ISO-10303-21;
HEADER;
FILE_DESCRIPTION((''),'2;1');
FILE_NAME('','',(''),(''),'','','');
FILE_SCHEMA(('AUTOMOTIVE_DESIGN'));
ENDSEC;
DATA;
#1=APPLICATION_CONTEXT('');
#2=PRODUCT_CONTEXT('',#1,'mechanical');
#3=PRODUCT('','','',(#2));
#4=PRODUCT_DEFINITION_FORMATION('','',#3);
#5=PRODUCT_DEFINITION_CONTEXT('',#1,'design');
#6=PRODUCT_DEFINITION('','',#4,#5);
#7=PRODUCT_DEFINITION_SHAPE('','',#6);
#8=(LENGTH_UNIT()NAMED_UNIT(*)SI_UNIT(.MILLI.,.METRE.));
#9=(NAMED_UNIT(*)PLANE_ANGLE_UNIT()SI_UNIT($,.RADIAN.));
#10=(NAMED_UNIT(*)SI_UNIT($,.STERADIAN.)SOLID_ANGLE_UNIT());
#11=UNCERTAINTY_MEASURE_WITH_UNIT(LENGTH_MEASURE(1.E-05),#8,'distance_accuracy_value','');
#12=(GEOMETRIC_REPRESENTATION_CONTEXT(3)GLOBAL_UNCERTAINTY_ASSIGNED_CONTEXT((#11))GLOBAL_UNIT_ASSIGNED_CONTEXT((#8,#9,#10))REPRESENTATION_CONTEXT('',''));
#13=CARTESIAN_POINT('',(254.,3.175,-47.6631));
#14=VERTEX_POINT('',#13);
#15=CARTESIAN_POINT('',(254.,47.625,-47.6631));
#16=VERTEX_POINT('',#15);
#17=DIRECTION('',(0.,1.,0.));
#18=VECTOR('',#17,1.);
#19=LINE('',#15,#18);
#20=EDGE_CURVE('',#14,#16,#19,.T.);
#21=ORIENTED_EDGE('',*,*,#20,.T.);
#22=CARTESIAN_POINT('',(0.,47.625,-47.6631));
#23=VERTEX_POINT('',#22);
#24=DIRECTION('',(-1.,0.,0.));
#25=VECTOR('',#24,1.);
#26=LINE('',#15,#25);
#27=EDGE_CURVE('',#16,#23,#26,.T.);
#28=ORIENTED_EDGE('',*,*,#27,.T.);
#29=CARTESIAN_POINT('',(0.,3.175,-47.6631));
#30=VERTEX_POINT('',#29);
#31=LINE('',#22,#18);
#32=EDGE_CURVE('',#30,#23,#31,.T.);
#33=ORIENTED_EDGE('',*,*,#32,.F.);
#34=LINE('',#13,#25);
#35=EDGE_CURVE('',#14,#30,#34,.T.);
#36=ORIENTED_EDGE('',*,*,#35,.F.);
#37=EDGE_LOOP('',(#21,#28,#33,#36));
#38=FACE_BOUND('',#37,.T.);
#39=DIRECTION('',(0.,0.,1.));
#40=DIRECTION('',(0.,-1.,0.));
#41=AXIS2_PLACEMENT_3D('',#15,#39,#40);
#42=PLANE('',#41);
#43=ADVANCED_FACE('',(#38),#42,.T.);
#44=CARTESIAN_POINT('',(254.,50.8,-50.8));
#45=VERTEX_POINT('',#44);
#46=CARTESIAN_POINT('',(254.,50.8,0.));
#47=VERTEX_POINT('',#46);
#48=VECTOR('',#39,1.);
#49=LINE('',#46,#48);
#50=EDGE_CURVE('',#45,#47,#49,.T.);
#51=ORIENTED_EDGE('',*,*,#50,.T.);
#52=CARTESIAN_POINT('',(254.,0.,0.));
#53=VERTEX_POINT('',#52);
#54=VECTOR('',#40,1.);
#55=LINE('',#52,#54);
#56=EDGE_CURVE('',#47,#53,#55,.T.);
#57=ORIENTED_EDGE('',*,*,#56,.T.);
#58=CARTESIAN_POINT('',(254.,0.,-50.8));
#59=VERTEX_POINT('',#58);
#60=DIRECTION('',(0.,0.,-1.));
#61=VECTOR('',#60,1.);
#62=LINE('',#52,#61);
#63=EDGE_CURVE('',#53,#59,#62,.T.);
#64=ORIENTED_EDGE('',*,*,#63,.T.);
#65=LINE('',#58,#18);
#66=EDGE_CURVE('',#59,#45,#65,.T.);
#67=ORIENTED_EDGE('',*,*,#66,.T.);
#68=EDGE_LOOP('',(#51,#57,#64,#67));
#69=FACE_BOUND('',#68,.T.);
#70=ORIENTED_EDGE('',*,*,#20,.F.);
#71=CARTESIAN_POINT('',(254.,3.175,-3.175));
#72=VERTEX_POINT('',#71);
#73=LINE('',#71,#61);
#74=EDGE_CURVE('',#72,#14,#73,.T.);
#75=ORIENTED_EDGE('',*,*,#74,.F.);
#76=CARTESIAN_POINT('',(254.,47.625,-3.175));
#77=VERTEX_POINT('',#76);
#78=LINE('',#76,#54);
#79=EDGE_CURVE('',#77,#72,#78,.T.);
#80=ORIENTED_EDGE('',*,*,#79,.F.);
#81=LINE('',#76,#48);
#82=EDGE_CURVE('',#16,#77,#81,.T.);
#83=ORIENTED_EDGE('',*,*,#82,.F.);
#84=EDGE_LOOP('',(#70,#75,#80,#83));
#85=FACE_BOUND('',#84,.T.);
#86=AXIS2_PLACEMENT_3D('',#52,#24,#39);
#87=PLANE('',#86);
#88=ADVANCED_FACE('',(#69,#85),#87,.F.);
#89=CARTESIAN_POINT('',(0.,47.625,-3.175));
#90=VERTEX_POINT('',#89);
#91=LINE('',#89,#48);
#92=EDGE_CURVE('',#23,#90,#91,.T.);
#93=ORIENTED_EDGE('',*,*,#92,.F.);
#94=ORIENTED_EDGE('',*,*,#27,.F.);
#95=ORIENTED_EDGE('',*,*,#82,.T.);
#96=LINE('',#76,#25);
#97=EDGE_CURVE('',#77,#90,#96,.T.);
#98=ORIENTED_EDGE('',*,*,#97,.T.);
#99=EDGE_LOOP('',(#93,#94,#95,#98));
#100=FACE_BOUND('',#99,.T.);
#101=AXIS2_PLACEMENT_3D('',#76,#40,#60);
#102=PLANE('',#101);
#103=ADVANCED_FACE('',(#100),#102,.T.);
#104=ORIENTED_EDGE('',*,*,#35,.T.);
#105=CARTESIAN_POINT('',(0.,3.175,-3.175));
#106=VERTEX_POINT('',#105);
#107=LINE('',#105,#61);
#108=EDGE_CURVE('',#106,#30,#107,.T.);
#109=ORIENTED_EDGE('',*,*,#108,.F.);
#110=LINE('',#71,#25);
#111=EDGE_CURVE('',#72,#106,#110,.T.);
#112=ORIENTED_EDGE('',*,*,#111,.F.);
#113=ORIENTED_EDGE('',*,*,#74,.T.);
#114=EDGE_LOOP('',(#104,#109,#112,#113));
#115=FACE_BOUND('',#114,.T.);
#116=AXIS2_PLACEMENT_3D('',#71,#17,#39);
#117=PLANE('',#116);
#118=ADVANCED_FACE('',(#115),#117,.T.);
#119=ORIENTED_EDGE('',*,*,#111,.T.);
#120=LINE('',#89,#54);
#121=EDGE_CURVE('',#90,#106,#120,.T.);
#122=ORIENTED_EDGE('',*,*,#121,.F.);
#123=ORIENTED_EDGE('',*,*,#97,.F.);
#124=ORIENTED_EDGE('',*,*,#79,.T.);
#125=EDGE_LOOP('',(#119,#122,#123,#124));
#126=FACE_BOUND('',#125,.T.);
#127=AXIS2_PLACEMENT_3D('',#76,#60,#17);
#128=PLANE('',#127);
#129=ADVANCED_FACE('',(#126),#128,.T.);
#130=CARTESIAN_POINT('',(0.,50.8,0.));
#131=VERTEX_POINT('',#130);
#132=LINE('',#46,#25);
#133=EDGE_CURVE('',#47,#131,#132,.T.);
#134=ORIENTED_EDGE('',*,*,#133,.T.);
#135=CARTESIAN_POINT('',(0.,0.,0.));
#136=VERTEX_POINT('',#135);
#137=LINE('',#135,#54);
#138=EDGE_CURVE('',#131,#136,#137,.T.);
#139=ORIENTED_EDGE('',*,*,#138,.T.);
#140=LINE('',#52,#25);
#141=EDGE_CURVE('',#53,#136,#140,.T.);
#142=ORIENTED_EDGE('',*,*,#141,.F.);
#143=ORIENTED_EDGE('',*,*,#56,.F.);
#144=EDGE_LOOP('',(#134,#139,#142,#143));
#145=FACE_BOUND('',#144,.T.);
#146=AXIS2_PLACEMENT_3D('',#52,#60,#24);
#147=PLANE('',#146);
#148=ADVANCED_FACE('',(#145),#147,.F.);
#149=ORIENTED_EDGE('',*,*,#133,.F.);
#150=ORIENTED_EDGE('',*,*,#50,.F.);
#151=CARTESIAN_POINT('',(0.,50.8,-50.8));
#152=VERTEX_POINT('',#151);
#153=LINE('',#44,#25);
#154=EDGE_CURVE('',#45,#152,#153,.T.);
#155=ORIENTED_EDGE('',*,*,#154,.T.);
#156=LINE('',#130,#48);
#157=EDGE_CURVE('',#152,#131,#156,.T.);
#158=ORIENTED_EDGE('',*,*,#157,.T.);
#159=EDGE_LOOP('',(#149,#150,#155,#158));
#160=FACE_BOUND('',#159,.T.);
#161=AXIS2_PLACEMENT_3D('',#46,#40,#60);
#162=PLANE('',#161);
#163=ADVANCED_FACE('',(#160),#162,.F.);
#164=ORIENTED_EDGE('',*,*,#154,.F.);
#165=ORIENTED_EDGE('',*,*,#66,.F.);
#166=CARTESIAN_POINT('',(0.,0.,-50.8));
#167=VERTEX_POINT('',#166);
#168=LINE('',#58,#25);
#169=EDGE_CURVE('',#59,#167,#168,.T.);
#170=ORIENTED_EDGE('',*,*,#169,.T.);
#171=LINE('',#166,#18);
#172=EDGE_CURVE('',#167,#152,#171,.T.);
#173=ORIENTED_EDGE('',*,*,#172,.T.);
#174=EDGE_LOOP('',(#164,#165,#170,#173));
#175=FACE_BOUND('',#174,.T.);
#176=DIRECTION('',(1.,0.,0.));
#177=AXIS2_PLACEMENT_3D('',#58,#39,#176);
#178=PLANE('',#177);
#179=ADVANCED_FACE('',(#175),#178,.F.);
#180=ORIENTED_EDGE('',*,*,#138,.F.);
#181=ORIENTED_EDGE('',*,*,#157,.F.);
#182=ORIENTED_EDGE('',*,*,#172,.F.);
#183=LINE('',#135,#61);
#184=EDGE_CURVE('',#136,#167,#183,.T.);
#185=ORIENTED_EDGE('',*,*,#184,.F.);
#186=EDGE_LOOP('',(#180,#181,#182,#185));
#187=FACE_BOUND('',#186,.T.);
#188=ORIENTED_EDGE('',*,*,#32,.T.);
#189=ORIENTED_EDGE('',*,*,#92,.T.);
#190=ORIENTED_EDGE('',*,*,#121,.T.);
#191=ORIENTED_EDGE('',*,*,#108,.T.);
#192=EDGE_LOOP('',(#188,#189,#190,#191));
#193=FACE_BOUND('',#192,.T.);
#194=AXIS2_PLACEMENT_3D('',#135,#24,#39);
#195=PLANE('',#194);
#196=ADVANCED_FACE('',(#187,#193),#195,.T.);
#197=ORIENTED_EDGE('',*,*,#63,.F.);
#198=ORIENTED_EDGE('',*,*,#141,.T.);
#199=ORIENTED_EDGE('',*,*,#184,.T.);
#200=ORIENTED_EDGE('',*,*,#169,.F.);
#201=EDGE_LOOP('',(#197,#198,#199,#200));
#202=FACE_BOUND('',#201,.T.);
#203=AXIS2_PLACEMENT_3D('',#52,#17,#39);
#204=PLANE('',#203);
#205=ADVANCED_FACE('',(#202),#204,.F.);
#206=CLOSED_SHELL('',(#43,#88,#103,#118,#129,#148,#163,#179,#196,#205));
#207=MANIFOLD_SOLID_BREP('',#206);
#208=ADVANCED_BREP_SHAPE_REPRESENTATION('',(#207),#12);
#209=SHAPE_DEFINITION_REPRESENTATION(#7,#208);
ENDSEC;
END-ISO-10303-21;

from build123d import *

# Parameters (mm, degrees)
SKETCH2_W           = 50.8
SKETCH2_H           = 50.8
SKETCH2_W_2         = 44.4881
SKETCH2_H_2         = 44.45
BOSS_EXTRUDE1_DEPTH = 254


with BuildPart() as part:
    # Sketch2 → Boss-Extrude1 (new body)
    with BuildSketch(Plane(origin=(0, 0, 0), x_dir=(0, 0, -1), z_dir=(1, 0, 0))):
        with Locations((25.4, 25.4)):
            Rectangle(SKETCH2_W, SKETCH2_H)
        with Locations((25.41905, 25.4)):
            Rectangle(SKETCH2_W_2, SKETCH2_H_2, mode=Mode.SUBTRACT)
    extrude(amount=BOSS_EXTRUDE1_DEPTH)


solid = part.part
